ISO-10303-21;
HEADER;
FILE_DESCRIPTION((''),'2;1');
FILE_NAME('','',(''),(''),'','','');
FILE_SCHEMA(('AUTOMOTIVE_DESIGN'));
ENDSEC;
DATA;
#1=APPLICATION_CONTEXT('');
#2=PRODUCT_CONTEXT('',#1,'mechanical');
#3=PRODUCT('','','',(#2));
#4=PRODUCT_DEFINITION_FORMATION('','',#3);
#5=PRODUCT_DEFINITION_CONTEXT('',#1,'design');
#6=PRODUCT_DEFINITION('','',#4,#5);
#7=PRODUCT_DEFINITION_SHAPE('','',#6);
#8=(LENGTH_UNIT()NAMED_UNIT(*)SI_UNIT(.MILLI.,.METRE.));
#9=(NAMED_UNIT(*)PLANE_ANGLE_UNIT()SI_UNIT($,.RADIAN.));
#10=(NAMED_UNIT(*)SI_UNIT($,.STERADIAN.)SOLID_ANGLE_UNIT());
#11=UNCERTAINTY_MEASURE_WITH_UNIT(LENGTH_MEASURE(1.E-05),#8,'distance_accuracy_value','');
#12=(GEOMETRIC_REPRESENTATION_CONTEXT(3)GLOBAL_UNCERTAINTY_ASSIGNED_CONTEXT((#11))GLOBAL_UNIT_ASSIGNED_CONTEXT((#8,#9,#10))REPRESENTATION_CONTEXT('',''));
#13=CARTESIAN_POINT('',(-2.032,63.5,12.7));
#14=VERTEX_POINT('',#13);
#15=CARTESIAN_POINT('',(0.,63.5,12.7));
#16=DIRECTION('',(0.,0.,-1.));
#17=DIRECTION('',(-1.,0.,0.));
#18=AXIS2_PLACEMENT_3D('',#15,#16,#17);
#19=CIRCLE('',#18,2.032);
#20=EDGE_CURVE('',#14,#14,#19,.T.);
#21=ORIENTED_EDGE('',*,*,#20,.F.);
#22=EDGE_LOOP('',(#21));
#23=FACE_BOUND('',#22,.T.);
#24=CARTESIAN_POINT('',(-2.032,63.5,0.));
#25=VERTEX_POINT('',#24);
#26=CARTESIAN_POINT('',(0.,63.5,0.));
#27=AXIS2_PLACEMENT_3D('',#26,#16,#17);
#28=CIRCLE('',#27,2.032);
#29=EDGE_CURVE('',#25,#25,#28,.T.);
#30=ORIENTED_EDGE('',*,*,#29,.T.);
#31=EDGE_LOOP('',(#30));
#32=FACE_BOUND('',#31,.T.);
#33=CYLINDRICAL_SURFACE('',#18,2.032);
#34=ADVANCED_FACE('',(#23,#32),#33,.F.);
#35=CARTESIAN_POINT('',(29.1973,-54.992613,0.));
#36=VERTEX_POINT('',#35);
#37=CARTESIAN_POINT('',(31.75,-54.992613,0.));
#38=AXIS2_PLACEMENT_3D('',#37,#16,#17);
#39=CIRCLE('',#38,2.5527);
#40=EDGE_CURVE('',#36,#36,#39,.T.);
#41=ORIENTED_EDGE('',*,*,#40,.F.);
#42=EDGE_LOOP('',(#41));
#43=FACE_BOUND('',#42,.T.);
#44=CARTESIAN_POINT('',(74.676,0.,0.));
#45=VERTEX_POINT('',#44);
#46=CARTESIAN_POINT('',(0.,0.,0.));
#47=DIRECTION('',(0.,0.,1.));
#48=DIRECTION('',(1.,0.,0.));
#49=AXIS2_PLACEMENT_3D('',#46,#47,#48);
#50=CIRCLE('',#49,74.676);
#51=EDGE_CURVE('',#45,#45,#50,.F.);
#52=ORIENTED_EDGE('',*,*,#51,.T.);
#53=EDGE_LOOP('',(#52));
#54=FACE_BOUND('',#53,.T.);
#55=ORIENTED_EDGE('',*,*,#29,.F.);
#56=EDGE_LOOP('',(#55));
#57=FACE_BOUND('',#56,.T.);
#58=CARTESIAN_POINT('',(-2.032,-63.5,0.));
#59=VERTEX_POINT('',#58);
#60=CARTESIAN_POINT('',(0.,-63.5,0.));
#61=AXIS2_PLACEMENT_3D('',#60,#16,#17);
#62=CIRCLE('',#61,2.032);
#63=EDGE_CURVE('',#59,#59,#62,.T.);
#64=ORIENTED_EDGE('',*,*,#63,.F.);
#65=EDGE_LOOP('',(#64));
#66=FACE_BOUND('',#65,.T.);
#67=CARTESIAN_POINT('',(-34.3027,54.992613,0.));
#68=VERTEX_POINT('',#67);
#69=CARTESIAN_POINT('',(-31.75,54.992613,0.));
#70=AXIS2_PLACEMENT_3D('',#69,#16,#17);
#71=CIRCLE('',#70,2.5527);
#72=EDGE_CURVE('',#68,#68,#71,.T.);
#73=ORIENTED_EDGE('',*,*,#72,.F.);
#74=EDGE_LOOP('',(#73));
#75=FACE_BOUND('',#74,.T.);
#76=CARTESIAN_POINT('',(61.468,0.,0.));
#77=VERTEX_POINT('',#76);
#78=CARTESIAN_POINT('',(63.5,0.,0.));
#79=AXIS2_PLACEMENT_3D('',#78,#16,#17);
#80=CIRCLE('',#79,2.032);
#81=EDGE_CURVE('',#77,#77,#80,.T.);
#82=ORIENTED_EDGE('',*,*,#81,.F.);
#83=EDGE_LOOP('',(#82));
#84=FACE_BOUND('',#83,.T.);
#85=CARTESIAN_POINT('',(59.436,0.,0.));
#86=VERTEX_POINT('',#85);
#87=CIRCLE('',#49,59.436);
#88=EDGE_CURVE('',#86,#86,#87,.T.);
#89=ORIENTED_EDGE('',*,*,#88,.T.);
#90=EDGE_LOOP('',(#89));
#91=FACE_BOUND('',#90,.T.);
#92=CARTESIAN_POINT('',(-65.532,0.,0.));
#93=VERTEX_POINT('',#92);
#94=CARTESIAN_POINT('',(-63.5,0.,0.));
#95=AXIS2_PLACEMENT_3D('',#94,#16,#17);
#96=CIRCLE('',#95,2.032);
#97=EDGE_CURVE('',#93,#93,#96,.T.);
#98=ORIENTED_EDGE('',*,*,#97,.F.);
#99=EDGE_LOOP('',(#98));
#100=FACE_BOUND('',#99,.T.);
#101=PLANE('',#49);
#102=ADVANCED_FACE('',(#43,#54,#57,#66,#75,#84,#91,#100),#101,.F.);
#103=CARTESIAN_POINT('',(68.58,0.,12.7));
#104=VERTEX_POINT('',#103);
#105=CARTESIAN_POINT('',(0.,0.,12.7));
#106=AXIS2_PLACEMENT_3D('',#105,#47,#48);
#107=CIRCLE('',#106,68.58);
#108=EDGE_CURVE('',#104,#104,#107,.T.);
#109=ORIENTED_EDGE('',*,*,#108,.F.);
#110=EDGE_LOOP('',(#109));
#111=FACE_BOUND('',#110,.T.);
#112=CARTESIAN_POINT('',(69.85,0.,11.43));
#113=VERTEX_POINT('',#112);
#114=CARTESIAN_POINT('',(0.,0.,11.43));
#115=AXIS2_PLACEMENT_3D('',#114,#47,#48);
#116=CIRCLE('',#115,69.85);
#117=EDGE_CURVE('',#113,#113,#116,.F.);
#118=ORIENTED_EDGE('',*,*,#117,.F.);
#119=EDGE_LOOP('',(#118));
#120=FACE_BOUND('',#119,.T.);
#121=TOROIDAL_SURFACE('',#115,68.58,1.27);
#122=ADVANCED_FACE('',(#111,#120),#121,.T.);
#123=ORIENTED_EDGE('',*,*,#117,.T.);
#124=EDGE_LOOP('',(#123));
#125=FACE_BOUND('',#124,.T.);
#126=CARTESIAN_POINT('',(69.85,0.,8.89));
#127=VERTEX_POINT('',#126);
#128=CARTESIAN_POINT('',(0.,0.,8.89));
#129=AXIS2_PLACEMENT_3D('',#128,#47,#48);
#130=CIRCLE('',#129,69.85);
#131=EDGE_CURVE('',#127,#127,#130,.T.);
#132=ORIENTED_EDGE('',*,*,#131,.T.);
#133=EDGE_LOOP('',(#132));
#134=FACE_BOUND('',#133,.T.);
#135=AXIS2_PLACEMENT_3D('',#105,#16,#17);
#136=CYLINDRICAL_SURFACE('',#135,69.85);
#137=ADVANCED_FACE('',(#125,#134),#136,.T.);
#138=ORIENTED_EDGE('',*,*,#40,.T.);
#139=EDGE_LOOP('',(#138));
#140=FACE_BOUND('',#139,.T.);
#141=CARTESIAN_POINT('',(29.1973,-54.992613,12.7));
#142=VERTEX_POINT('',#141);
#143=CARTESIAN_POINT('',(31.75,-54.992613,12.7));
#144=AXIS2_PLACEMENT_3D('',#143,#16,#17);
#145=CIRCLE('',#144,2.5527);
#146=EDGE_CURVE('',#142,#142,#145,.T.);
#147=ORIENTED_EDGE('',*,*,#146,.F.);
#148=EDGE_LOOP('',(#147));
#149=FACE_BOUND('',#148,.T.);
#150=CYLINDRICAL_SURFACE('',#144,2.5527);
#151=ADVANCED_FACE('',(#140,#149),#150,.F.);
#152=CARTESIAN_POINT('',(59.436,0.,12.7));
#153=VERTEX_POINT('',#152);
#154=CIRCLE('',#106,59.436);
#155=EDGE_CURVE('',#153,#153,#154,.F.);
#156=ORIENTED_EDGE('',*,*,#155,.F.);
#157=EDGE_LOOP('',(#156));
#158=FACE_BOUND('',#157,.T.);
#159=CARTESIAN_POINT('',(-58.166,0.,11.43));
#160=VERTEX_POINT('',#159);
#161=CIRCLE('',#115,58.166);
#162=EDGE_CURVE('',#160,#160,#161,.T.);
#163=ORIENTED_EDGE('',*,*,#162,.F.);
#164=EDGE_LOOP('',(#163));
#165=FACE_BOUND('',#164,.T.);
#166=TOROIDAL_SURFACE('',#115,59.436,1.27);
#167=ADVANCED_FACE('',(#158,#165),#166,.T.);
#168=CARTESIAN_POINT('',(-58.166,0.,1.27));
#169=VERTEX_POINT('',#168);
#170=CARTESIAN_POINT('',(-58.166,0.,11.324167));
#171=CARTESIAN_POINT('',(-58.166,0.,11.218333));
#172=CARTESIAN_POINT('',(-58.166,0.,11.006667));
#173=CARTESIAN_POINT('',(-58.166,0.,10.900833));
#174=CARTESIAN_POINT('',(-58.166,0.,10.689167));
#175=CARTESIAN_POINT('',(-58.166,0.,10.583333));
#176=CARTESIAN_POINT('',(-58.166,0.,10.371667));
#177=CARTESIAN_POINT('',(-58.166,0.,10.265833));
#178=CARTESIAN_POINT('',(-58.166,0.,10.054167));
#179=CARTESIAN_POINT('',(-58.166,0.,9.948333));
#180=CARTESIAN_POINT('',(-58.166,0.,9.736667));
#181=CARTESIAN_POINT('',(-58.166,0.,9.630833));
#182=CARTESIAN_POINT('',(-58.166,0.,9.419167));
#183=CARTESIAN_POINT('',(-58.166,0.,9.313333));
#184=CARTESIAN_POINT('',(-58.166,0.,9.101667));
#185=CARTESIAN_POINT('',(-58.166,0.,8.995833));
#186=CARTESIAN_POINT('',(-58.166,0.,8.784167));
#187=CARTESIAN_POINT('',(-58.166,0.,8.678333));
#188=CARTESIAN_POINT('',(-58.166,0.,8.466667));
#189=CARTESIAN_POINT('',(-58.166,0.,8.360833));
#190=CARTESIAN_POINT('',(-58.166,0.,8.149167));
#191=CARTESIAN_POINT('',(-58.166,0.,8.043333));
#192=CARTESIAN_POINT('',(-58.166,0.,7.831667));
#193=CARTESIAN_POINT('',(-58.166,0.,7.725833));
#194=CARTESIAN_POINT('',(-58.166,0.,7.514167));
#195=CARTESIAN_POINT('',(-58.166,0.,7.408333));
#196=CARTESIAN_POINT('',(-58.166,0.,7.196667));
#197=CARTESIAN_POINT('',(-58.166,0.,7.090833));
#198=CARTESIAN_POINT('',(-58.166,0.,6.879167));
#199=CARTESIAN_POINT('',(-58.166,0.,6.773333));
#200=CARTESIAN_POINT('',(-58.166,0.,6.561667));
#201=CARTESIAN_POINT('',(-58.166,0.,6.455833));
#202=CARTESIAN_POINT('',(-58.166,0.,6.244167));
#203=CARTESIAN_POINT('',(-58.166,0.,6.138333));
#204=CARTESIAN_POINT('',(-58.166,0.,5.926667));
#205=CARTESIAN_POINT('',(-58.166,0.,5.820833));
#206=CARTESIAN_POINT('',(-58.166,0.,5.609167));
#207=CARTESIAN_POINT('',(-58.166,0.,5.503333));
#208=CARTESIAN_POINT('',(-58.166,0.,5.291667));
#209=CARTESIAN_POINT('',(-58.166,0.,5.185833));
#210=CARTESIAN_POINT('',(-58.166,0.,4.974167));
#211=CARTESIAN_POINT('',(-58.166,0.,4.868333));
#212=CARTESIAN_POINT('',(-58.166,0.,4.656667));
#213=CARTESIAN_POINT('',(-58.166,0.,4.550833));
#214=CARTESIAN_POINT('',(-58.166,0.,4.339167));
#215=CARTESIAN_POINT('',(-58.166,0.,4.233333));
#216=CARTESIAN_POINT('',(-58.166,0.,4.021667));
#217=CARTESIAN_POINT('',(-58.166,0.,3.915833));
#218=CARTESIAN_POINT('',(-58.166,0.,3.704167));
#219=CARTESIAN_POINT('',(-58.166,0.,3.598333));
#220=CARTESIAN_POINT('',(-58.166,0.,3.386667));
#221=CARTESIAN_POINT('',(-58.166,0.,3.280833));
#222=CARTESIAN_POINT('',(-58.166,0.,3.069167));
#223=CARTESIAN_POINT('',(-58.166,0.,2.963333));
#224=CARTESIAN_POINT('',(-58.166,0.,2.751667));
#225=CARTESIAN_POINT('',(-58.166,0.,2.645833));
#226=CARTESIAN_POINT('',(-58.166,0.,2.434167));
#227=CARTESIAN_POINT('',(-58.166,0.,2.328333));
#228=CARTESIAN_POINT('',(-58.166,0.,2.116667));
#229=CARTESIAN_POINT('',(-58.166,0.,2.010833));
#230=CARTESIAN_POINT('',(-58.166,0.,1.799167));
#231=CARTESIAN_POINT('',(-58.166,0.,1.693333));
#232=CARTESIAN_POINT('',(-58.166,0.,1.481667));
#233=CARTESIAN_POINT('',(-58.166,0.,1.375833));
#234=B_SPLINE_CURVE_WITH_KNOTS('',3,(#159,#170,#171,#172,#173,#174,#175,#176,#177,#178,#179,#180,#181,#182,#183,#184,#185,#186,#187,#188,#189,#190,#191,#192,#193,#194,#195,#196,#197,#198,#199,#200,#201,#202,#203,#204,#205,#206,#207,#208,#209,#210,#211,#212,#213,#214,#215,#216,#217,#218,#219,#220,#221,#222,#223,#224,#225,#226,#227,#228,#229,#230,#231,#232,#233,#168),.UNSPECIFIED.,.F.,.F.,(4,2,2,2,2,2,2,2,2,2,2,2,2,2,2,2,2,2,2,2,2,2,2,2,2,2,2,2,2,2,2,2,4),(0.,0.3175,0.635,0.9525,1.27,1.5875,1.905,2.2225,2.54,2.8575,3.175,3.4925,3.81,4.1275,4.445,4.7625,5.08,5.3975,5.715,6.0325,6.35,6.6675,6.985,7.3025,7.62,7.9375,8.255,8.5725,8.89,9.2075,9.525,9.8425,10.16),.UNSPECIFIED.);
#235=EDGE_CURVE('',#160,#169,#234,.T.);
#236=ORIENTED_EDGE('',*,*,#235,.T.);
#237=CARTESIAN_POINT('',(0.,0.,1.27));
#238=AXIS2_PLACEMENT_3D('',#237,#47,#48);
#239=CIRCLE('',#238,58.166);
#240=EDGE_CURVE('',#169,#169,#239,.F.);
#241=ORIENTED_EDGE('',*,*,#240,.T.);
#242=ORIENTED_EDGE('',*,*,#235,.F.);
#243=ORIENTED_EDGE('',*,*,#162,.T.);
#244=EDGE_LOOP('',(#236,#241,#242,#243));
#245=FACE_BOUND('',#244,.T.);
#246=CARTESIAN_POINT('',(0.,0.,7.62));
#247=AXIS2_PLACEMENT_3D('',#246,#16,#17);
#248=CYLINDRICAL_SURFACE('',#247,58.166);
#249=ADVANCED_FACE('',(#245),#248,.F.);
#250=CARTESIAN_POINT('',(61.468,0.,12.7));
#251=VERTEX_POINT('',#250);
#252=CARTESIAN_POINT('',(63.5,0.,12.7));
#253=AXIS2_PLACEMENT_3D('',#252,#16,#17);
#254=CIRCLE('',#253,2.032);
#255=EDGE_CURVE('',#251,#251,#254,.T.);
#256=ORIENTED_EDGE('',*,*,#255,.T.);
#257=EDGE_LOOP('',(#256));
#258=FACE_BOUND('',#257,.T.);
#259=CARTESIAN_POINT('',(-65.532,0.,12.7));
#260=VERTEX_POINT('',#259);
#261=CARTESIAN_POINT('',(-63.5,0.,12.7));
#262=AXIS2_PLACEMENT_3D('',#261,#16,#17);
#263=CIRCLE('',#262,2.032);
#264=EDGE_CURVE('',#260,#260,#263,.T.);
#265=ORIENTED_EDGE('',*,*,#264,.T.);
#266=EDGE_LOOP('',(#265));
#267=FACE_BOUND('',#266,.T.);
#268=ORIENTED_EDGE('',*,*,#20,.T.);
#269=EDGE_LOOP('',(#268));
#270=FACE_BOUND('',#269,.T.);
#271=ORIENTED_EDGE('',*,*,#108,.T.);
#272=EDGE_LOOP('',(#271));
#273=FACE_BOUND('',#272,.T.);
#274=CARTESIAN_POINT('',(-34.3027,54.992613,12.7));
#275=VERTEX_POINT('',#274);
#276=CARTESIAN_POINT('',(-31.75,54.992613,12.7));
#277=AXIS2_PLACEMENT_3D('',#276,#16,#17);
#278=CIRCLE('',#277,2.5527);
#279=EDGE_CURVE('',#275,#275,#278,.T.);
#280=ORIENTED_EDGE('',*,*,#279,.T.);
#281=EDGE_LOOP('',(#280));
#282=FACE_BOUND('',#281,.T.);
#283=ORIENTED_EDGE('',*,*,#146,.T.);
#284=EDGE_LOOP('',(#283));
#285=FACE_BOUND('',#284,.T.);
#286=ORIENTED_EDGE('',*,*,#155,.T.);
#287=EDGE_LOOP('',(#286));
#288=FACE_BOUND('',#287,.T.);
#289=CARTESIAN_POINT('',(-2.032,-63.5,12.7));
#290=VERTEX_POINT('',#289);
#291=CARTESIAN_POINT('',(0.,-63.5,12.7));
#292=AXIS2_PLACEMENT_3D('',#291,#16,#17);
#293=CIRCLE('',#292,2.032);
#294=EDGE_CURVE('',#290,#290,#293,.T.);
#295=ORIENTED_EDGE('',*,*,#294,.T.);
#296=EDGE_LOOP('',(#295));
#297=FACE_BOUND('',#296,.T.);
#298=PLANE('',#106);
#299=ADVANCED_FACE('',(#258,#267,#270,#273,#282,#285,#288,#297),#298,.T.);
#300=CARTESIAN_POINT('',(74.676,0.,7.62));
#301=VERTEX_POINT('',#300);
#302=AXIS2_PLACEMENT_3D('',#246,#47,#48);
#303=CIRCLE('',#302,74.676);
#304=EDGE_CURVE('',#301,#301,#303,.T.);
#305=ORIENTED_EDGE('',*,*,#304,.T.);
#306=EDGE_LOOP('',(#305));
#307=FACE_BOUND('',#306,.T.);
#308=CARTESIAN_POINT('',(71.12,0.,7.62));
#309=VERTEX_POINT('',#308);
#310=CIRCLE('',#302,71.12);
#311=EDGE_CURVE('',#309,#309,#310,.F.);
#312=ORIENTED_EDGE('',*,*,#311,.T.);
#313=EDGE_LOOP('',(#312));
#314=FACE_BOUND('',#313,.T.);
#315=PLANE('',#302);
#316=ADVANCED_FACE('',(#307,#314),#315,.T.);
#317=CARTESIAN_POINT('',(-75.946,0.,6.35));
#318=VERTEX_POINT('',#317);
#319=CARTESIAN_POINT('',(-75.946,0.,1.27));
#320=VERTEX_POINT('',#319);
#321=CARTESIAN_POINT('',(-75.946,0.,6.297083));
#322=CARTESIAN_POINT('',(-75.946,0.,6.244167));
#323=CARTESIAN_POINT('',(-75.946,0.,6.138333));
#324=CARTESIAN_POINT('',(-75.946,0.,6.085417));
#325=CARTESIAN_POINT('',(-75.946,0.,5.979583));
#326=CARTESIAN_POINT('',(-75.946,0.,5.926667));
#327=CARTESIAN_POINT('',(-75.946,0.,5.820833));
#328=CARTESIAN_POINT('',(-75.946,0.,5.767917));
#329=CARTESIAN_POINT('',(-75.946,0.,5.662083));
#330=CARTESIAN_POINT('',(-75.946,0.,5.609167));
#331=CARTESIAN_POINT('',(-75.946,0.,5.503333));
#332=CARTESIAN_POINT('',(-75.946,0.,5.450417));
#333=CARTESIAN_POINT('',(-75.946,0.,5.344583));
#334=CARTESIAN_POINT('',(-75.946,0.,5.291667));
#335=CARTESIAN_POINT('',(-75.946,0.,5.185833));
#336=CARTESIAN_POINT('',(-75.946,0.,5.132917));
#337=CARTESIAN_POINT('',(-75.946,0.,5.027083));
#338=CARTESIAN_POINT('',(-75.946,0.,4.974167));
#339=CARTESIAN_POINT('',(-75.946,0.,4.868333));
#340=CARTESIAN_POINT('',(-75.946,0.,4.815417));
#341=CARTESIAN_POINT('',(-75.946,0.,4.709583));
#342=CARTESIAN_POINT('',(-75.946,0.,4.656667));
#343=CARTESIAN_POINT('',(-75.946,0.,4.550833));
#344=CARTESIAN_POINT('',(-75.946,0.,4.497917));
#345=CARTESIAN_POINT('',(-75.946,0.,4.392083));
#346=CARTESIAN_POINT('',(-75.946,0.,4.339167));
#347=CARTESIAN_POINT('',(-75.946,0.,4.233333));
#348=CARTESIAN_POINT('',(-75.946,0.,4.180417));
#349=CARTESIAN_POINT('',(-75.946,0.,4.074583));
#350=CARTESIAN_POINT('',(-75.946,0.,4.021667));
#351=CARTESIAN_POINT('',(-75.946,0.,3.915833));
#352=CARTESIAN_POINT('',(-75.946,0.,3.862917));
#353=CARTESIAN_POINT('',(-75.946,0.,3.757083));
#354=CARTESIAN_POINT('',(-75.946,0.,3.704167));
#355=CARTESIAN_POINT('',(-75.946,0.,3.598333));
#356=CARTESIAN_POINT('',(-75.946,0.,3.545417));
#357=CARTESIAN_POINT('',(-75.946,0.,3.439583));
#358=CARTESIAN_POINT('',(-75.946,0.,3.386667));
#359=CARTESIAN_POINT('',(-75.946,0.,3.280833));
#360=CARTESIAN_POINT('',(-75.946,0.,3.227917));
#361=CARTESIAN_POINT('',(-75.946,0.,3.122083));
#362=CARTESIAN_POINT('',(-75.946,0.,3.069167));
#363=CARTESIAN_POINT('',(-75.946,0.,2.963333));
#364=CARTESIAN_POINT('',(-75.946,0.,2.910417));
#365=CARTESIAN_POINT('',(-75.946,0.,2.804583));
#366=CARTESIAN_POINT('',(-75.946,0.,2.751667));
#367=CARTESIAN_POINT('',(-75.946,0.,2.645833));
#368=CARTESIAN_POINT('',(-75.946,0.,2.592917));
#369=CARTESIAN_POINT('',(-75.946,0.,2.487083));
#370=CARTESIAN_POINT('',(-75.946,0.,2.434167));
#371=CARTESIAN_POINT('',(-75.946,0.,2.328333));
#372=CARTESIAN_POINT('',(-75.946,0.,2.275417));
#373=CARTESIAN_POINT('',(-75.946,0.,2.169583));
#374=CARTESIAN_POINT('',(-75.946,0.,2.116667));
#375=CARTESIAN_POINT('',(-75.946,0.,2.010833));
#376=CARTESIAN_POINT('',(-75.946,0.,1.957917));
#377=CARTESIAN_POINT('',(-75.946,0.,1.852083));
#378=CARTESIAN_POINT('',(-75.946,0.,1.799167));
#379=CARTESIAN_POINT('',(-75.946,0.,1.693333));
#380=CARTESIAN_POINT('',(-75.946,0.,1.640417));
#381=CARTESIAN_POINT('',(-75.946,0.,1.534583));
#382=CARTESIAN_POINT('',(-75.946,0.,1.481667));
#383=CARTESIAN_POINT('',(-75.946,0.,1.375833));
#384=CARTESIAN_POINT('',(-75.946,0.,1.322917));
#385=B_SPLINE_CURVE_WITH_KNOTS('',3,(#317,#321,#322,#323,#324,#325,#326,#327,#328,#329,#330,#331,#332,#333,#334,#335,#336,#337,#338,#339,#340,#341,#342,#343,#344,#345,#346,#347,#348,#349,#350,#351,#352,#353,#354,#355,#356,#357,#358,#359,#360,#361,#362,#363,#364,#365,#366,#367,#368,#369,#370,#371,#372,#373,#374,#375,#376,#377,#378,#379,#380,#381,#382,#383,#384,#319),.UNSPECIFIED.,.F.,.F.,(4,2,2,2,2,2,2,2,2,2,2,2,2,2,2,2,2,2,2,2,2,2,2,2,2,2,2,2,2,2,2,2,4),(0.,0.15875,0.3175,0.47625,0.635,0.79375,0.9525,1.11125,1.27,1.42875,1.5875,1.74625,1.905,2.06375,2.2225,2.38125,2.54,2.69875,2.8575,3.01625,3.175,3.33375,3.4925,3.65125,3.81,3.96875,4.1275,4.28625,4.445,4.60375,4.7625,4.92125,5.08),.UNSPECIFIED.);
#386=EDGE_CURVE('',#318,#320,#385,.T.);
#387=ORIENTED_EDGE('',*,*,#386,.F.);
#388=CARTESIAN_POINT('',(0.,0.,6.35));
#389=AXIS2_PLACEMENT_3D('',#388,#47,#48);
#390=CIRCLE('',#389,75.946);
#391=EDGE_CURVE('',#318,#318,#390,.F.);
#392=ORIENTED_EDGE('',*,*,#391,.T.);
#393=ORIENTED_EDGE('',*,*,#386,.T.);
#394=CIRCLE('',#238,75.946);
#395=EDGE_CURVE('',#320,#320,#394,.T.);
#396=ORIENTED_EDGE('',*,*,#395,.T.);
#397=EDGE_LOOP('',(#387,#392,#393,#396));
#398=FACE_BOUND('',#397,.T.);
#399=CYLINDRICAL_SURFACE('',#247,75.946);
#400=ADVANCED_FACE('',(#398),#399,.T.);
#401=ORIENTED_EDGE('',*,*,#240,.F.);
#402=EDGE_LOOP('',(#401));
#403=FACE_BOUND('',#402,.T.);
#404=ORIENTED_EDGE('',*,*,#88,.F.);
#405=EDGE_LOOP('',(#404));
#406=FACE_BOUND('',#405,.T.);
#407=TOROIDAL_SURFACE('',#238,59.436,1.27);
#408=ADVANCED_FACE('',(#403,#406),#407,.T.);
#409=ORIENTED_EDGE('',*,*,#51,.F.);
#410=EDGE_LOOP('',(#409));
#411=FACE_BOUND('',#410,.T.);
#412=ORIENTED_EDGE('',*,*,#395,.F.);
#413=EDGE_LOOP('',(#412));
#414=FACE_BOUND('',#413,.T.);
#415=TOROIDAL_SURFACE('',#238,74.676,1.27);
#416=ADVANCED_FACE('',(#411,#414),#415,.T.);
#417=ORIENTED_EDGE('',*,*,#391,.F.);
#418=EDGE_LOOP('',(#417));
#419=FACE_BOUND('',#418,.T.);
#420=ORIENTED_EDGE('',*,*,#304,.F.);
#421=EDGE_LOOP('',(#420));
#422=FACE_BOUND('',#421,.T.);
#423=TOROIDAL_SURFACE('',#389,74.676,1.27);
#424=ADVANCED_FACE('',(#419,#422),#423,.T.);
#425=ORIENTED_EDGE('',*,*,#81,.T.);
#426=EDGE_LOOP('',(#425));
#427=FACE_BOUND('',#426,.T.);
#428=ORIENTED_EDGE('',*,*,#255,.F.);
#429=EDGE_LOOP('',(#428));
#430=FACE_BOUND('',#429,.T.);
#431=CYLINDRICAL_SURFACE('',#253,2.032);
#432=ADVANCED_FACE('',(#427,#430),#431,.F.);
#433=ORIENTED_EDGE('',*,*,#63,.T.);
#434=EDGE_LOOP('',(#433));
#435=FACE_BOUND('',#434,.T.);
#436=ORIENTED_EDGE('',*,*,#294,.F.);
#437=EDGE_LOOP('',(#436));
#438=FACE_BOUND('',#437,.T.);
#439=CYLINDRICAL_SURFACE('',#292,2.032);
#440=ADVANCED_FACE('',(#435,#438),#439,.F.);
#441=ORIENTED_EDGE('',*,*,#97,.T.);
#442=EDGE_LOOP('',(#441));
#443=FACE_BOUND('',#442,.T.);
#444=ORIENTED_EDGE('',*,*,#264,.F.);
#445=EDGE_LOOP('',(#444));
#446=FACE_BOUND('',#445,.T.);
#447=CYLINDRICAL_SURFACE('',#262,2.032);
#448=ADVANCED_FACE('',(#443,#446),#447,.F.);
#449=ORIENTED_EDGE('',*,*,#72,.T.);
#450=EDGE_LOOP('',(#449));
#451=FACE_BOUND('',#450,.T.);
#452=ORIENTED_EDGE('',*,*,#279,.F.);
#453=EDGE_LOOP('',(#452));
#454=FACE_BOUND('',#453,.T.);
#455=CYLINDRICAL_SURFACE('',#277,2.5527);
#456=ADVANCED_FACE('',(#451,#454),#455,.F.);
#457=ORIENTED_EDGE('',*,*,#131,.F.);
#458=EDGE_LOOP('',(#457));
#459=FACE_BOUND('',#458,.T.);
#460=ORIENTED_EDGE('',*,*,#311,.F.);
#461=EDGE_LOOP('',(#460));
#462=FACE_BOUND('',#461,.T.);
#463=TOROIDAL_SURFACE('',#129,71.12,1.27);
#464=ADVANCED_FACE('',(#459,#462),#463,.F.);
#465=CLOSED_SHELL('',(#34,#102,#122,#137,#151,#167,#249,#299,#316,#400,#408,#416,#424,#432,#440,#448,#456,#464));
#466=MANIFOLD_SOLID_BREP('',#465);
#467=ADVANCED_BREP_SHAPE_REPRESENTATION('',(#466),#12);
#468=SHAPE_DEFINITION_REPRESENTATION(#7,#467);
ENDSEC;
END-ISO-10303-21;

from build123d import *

# Parameters (mm, degrees)
SKETCH1_R           = 75.946
SKETCH1_R_2         = 58.166
BOSS_EXTRUDE1_DEPTH = 7.62
SKETCH2_R           = 69.85
SKETCH2_R_2         = 58.166
BOSS_EXTRUDE2_DEPTH = 5.08
SKETCH4_R           = 2.032
CUT_EXTRUDE1_DEPTH  = 109.152114321
FILLET1_R           = 1.27
SKETCH5_R           = 2.5527
CUT_EXTRUDE2_DEPTH  = 109.152114391


with BuildPart() as part:
    # Sketch1 → Boss-Extrude1 (new body)
    with BuildSketch(Plane.XY):
        with Locations(Location((0, 0, 0), (0, 0, 180))):
            Circle(SKETCH1_R)
        with Locations(Location((0, 0, 0), (0, 0, 180))):
            Circle(SKETCH1_R_2, mode=Mode.SUBTRACT)
    extrude(amount=BOSS_EXTRUDE1_DEPTH)

    # Sketch2 → Boss-Extrude2 (add)
    with BuildSketch(Plane.XY.offset(7.62)):
        Circle(SKETCH2_R)
        with Locations(Location((0, 0, 0), (0, 0, 180))):
            Circle(SKETCH2_R_2, mode=Mode.SUBTRACT)
    extrude(amount=BOSS_EXTRUDE2_DEPTH)

    # Sketch4 → Cut-Extrude1 (cut, through all)
    with BuildSketch(Plane(origin=(0, 0, 0), x_dir=(-1, 0, 0), z_dir=(0, 0, -1))):
        with Locations((0, 63.5)):
            Circle(SKETCH4_R)
        with Locations((63.5, 0)):
            Circle(SKETCH4_R)
        with Locations((0, -63.5)):
            Circle(SKETCH4_R)
        with Locations((-63.5, 0)):
            Circle(SKETCH4_R)
    extrude(amount=-CUT_EXTRUDE1_DEPTH, mode=Mode.SUBTRACT)

    # Fillet1
    fillet1_edges = [part.edges().sort_by_distance(p)[0] for p in [
        (-69.85, 0, 7.62),
        (-69.85, 0, 12.7),
        (58.166, 0, 12.7),
        (75.946, 0, 0),
        (75.946, 0, 7.62),
        (58.166, 0, 0),
    ]]
    fillet(fillet1_edges, radius=FILLET1_R)

    # Sketch5 → Cut-Extrude2 (cut, through all)
    with BuildSketch(Plane(origin=(0, 0, 0), x_dir=(-1, 0, 0), z_dir=(0, 0, -1))):
        with Locations((-31.75, -54.99261314)):
            Circle(SKETCH5_R)
        with Locations((31.75, 54.99261314)):
            Circle(SKETCH5_R)
    extrude(amount=-CUT_EXTRUDE2_DEPTH, mode=Mode.SUBTRACT)


solid = part.part
